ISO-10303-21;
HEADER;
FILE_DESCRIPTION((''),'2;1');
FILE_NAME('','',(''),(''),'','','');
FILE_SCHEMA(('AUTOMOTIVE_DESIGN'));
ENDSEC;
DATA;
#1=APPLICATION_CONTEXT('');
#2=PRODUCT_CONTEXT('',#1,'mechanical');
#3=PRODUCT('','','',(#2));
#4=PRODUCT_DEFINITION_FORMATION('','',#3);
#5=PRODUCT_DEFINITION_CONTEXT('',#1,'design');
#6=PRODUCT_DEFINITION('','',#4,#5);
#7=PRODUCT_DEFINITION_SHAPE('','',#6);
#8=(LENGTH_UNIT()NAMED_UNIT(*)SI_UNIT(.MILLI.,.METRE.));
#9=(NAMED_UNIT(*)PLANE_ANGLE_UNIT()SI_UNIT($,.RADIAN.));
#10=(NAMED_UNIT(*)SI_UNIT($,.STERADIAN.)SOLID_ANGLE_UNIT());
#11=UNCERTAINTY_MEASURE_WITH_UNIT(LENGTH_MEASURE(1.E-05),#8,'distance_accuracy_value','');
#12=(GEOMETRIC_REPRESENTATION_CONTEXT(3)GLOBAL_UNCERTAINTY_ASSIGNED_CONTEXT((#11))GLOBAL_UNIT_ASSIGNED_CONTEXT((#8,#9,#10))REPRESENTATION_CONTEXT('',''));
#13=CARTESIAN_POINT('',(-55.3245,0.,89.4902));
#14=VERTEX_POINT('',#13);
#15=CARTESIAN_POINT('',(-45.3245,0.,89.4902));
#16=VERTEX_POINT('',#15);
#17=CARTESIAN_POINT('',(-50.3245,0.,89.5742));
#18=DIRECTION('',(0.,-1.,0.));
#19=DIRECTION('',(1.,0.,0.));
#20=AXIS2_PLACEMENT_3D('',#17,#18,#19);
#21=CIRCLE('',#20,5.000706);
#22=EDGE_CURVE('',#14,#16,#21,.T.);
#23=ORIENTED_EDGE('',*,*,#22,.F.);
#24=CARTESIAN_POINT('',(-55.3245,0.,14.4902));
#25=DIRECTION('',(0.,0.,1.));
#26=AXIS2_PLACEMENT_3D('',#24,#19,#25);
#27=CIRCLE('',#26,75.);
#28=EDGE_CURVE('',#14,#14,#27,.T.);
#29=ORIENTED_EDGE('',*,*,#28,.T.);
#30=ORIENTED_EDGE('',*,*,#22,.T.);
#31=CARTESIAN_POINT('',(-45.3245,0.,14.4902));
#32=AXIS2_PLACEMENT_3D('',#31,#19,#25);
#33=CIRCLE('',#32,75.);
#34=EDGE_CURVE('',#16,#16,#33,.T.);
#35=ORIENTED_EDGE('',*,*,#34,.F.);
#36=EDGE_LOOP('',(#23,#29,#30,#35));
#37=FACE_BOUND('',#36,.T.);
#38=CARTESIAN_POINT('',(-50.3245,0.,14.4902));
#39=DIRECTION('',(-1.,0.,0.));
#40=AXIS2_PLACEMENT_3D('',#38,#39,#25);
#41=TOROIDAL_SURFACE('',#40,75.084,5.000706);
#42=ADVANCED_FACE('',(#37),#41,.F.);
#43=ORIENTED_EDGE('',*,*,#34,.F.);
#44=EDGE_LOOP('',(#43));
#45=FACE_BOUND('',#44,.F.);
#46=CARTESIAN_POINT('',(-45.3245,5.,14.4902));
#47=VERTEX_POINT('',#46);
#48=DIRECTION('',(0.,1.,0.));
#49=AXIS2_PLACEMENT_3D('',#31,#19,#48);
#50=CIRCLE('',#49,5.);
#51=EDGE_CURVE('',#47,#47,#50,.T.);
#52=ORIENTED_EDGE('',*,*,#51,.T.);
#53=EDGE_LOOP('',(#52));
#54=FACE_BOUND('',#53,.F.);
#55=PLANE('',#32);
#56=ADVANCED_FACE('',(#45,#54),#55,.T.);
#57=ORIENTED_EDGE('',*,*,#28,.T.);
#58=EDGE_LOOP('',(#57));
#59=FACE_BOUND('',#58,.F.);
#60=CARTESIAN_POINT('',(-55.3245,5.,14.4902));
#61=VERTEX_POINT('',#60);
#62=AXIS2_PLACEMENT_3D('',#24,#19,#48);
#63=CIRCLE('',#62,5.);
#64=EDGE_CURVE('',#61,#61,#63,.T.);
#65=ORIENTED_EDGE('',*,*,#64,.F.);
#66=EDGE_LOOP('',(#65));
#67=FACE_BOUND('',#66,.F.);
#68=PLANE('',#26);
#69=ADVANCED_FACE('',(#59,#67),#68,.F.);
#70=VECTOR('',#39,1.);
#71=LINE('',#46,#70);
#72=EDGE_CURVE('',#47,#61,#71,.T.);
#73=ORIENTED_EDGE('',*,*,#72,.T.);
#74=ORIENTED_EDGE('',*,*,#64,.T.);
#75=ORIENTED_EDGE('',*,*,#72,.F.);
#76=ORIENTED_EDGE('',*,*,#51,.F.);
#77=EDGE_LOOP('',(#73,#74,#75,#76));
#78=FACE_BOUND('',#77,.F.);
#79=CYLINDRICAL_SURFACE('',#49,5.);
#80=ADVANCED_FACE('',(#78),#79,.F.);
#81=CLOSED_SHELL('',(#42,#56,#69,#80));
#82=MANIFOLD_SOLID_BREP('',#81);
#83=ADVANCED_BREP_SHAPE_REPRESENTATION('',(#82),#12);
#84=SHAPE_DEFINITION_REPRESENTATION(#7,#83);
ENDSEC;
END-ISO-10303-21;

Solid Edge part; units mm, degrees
sketch "Sketch1" plane through (0, 0, 0) normal (0, -1, 0) x (1, 0, 0)
  line L0 (-45.3245, 14.4902) -> (-45.3245, 89.4902)
  arc A0 (-55.3245, 89.4902) -> (-45.3245, 89.4902) centre (-50.3245, 89.5742) ccw
  line L1 (-55.3245, 89.4902) -> (-55.3245, 14.4902)
revolve "RevolvedProtrusion1" add sketch "Sketch1" angle 360 about axis through (-55.3245, 0, 14.4902) along (1, 0, 0)
sketch "Sketch2" plane through (-45.3245, 0, 14.4902) normal (1, 0, 0) x (0, 1, 0)
  circle A0 centre (0, 0) radius 5
extrude "Cutout1" cut sketch "Sketch2" against normal through all
properties material "Aluminum, 6061-T6"
